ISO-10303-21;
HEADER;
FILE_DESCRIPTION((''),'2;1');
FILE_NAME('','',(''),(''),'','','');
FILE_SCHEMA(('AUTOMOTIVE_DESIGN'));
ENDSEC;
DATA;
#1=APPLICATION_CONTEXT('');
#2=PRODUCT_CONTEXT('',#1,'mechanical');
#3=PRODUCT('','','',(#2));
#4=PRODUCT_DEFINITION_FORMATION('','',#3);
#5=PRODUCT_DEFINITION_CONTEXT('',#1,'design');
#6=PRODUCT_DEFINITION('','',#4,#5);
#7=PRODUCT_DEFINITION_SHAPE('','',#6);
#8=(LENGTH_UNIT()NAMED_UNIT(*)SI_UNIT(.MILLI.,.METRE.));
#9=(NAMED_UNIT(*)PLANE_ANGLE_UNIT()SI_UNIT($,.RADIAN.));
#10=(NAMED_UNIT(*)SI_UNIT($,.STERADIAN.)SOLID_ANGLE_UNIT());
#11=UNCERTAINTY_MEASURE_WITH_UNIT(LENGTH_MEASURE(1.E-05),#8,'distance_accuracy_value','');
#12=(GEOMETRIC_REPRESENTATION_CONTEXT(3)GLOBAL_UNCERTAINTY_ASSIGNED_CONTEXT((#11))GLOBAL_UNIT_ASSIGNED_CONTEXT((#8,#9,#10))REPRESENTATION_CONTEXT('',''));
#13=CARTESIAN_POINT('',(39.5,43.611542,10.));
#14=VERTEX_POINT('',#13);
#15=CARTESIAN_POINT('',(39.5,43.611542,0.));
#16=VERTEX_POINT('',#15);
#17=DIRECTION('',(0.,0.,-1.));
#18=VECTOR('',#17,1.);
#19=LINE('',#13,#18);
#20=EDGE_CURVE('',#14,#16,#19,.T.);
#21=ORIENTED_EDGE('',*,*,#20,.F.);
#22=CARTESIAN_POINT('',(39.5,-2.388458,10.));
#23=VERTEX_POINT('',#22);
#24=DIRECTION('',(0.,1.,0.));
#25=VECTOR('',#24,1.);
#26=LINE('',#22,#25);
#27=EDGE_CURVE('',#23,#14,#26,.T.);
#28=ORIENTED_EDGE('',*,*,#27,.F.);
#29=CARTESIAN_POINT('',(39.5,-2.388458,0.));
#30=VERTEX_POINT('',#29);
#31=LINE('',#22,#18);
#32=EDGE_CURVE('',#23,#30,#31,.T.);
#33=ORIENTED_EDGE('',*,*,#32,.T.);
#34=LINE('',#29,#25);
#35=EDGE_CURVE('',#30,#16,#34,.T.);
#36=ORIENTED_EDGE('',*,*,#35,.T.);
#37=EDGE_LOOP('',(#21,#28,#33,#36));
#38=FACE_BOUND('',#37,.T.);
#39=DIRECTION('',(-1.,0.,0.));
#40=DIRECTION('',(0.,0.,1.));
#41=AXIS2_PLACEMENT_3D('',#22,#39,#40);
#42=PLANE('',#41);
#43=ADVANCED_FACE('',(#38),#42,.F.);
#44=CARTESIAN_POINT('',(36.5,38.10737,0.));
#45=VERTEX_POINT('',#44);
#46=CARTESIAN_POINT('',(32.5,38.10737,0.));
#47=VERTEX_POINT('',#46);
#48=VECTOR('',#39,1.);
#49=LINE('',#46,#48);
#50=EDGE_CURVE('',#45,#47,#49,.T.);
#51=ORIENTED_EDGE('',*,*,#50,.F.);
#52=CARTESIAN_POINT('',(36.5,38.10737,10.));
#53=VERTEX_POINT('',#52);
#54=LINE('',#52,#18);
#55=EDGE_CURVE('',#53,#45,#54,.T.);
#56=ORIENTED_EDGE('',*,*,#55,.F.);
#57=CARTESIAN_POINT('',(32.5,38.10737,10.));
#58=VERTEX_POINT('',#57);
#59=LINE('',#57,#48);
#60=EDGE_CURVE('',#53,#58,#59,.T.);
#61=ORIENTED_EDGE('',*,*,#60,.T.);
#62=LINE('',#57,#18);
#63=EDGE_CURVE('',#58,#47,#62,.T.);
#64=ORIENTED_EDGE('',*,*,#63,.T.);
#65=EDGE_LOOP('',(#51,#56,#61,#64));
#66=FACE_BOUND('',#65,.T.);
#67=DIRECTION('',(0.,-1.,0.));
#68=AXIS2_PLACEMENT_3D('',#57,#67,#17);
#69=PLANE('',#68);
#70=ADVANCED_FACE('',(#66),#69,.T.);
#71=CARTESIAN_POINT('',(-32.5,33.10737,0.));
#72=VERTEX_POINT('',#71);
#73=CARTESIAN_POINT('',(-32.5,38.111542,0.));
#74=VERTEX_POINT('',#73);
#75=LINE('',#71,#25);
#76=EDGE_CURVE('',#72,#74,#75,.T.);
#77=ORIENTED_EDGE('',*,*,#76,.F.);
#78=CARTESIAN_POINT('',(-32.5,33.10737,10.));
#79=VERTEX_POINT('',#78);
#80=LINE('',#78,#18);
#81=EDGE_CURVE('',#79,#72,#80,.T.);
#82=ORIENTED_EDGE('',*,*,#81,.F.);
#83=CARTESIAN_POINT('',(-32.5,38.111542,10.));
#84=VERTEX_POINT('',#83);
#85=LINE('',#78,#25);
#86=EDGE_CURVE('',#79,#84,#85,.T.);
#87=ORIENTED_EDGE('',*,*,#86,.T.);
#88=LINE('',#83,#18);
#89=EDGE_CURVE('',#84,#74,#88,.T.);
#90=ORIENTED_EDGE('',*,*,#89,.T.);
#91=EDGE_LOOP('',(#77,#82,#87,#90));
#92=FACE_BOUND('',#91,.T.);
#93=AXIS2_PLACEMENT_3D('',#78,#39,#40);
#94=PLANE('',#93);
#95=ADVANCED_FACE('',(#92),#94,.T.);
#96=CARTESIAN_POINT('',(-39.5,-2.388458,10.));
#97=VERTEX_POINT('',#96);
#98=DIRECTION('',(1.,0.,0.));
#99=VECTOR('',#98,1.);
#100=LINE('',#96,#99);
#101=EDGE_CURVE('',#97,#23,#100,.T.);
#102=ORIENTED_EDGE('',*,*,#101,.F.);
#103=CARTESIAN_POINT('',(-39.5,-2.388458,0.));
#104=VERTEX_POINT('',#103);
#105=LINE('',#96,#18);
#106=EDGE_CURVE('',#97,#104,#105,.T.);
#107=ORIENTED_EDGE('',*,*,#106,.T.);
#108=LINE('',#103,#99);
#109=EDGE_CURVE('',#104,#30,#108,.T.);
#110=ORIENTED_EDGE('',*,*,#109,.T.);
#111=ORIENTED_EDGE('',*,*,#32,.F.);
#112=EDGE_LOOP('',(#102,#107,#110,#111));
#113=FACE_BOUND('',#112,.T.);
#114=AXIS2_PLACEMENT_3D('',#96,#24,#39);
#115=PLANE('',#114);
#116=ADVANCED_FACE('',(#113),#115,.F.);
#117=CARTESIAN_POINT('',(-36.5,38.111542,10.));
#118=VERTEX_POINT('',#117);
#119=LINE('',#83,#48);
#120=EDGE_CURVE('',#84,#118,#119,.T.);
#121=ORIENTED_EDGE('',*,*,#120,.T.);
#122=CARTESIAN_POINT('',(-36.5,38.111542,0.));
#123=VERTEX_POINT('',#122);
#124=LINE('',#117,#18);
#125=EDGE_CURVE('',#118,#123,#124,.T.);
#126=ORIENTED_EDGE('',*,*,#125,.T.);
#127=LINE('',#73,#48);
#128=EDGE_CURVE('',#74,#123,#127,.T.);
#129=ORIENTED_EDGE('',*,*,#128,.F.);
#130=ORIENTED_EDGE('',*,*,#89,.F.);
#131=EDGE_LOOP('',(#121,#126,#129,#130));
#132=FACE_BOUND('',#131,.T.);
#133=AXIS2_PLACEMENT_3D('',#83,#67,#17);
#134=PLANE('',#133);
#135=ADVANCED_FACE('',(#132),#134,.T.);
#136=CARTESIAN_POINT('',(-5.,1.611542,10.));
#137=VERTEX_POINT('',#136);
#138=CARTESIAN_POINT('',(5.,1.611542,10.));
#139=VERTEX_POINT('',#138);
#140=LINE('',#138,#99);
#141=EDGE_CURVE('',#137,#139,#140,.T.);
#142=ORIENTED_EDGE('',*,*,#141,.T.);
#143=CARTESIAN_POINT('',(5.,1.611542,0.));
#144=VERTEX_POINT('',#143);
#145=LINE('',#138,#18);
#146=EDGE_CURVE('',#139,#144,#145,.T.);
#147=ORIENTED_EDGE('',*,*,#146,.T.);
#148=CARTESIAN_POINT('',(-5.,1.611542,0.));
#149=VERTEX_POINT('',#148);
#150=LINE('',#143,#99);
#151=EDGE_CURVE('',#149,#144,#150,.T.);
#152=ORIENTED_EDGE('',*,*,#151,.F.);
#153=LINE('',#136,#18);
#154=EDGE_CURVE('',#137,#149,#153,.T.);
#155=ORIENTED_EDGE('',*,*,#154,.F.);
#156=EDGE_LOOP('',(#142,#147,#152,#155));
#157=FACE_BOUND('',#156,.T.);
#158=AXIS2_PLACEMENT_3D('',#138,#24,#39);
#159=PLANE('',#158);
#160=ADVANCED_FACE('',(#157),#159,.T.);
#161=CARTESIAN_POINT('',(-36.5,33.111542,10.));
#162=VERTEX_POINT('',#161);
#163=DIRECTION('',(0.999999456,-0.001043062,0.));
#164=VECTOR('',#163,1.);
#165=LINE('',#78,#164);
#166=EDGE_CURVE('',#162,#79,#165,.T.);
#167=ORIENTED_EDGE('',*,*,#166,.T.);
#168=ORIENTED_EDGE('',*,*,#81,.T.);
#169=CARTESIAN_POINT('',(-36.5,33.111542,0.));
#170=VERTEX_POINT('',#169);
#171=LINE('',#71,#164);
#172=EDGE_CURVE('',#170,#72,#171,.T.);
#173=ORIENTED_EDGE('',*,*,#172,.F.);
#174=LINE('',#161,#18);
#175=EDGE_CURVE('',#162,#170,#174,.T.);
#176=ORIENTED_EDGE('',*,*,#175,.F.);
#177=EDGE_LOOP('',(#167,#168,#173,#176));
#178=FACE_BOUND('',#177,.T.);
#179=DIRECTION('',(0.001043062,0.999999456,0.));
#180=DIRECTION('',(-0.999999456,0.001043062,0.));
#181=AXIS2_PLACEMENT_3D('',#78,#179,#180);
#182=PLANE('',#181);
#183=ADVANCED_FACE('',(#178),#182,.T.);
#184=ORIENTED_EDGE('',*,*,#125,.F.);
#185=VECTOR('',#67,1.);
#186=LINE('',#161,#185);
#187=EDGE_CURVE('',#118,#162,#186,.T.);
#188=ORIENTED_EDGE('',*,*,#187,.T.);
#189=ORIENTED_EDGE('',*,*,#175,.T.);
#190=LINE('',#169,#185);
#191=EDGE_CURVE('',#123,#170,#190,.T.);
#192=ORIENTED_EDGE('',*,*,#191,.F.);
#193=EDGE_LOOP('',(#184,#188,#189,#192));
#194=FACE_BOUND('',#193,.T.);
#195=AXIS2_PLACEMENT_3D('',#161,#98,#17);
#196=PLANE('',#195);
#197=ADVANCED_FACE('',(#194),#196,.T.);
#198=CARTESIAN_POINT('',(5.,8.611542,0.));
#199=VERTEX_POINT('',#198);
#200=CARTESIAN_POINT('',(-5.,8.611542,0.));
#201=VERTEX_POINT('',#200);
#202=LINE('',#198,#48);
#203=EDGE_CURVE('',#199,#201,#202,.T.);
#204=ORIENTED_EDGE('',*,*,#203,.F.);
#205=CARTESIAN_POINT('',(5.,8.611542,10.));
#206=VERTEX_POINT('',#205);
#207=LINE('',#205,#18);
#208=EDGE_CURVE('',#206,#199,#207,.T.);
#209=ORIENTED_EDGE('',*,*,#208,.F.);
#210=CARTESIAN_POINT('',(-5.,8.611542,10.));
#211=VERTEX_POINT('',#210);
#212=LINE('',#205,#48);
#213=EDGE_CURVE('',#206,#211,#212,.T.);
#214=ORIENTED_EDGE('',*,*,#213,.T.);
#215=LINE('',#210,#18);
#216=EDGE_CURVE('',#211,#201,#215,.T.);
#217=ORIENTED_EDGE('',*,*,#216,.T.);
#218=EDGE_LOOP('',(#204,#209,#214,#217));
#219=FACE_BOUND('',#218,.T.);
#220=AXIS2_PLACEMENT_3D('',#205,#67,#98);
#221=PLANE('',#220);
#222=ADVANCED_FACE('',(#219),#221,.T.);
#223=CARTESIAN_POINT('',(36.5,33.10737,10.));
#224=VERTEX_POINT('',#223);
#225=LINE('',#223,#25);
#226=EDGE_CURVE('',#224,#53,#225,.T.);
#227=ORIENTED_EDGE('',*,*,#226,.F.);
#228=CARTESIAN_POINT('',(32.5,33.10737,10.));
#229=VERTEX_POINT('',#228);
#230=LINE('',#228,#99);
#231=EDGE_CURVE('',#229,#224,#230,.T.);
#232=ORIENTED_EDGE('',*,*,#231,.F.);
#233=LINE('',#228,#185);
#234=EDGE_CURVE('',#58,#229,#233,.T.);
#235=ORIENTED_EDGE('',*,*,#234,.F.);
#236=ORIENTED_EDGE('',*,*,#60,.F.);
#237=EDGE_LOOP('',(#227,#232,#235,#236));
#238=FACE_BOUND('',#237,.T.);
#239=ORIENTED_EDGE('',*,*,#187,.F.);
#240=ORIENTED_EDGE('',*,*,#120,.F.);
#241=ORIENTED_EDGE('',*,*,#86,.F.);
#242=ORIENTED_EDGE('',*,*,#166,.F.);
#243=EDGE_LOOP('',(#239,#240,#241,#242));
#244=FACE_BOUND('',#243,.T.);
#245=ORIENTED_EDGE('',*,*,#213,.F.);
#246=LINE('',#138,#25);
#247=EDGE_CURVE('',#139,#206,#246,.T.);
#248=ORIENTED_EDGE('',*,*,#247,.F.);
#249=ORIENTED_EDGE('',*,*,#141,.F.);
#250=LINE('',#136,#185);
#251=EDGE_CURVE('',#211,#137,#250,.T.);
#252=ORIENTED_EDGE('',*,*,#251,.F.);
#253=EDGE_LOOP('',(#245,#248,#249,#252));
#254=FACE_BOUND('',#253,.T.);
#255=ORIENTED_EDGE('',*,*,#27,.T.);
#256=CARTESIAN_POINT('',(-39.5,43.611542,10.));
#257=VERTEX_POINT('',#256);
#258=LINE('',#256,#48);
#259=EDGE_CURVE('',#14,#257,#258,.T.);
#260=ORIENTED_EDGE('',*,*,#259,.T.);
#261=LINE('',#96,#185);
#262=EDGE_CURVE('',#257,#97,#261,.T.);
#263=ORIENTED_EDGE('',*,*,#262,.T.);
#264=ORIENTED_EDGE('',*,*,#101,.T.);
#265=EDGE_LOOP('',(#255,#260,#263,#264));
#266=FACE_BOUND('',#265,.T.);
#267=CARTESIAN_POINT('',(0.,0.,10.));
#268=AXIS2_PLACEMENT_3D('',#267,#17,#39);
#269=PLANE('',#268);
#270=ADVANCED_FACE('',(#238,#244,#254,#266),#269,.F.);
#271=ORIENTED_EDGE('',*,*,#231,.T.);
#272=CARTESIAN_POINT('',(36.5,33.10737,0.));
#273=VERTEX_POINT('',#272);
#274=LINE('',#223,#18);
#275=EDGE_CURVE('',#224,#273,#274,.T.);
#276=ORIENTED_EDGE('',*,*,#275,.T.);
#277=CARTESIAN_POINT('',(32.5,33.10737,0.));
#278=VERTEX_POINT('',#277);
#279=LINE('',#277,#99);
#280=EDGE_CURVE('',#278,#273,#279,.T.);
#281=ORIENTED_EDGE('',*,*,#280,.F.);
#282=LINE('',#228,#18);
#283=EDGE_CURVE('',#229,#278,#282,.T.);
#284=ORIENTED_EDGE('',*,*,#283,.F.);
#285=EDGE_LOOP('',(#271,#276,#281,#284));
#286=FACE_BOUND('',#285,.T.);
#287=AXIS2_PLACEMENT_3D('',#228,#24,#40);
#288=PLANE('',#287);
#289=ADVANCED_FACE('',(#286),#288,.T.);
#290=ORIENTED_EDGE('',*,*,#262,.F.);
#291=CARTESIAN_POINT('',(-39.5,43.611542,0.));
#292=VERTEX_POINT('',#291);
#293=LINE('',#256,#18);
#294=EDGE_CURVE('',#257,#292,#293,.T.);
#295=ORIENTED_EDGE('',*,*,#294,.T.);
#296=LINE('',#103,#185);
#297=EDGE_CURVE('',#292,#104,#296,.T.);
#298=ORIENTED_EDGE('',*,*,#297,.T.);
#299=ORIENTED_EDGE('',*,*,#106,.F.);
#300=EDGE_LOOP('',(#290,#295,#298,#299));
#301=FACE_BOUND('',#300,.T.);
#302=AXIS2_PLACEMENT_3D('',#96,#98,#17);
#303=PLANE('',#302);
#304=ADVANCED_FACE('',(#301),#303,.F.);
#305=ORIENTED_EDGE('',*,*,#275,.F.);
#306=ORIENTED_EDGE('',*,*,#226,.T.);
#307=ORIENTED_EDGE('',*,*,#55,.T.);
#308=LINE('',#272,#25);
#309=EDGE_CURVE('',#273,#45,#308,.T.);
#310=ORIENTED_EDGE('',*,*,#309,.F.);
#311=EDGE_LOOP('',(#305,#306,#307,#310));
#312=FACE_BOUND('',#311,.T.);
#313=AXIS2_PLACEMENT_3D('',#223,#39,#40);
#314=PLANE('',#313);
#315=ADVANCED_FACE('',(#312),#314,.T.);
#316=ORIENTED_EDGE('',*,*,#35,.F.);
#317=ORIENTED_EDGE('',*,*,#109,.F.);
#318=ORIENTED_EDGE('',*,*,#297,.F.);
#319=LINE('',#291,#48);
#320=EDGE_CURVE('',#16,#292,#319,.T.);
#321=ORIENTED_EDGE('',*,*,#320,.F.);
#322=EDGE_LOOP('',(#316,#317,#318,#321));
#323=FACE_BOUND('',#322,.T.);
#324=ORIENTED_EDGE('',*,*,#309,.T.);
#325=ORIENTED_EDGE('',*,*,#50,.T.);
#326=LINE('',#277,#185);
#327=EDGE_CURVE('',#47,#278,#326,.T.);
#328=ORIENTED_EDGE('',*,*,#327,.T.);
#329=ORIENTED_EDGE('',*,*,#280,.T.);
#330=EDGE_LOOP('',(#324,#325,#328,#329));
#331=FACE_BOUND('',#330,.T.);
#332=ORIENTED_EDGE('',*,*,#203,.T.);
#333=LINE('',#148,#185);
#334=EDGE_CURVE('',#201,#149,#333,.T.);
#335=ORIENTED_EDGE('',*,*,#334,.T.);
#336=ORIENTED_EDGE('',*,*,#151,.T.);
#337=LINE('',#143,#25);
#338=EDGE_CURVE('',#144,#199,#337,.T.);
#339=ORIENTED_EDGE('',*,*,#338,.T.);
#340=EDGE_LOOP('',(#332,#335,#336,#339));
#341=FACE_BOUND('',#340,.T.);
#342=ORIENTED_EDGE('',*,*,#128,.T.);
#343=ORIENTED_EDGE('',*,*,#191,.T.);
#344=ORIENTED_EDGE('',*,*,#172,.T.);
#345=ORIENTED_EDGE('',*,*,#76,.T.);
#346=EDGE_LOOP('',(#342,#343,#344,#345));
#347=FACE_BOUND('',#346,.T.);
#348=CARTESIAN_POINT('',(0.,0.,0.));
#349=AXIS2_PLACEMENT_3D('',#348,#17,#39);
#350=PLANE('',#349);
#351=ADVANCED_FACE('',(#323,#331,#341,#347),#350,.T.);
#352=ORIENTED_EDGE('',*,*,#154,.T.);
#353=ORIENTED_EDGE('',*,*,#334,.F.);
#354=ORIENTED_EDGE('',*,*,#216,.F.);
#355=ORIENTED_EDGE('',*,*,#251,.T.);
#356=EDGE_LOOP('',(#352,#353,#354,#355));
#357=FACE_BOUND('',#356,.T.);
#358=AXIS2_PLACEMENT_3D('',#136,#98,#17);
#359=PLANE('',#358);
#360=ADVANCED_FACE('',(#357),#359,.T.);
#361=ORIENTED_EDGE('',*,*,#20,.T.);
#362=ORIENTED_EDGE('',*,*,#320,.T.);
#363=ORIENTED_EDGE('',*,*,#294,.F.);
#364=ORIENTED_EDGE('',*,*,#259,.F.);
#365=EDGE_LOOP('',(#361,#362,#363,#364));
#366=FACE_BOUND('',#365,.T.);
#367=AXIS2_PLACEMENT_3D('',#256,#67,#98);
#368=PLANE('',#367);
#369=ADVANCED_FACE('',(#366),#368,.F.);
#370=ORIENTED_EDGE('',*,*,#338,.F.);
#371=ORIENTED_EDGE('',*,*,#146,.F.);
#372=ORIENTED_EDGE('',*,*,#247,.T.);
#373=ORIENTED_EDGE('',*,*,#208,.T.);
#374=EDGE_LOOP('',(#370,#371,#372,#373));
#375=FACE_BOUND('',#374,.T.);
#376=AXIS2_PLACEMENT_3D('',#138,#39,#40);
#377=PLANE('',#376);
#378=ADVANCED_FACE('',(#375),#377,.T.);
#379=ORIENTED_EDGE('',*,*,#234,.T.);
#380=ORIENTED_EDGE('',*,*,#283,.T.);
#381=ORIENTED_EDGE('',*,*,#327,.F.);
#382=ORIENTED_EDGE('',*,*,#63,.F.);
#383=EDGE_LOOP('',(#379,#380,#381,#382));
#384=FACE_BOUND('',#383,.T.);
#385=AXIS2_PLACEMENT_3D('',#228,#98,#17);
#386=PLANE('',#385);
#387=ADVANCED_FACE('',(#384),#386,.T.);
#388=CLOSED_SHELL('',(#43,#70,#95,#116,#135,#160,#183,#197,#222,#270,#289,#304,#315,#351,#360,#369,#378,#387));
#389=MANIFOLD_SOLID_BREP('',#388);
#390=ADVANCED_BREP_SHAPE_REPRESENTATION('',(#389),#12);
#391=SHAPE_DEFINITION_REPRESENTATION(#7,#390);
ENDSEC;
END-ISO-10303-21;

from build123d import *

# Parameters (mm, degrees)
SKETCH1_W           = 79
SKETCH1_H           = 46
SKETCH1_W_2         = 10
SKETCH1_H_2         = 7
SKETCH1_W_3         = 4
SKETCH1_H_3         = 5
BOSS_EXTRUDE1_DEPTH = 10


with BuildPart() as part:
    # Sketch1 → Boss-Extrude1 (new body)
    with BuildSketch(Plane.XY):
        with Locations((0, 20.611542264)):
            Rectangle(SKETCH1_W, SKETCH1_H)
        Polygon((-32.5, 38.111542264), (-36.5, 38.111542264), (-36.5, 33.111542264), (-32.5, 33.107370015), align=None, mode=Mode.SUBTRACT)
        with Locations((0, 5.111542264)):
            Rectangle(SKETCH1_W_2, SKETCH1_H_2, mode=Mode.SUBTRACT)
        with Locations((34.5, 35.607370015)):
            Rectangle(SKETCH1_W_3, SKETCH1_H_3, mode=Mode.SUBTRACT)
    extrude(amount=BOSS_EXTRUDE1_DEPTH)


solid = part.part
